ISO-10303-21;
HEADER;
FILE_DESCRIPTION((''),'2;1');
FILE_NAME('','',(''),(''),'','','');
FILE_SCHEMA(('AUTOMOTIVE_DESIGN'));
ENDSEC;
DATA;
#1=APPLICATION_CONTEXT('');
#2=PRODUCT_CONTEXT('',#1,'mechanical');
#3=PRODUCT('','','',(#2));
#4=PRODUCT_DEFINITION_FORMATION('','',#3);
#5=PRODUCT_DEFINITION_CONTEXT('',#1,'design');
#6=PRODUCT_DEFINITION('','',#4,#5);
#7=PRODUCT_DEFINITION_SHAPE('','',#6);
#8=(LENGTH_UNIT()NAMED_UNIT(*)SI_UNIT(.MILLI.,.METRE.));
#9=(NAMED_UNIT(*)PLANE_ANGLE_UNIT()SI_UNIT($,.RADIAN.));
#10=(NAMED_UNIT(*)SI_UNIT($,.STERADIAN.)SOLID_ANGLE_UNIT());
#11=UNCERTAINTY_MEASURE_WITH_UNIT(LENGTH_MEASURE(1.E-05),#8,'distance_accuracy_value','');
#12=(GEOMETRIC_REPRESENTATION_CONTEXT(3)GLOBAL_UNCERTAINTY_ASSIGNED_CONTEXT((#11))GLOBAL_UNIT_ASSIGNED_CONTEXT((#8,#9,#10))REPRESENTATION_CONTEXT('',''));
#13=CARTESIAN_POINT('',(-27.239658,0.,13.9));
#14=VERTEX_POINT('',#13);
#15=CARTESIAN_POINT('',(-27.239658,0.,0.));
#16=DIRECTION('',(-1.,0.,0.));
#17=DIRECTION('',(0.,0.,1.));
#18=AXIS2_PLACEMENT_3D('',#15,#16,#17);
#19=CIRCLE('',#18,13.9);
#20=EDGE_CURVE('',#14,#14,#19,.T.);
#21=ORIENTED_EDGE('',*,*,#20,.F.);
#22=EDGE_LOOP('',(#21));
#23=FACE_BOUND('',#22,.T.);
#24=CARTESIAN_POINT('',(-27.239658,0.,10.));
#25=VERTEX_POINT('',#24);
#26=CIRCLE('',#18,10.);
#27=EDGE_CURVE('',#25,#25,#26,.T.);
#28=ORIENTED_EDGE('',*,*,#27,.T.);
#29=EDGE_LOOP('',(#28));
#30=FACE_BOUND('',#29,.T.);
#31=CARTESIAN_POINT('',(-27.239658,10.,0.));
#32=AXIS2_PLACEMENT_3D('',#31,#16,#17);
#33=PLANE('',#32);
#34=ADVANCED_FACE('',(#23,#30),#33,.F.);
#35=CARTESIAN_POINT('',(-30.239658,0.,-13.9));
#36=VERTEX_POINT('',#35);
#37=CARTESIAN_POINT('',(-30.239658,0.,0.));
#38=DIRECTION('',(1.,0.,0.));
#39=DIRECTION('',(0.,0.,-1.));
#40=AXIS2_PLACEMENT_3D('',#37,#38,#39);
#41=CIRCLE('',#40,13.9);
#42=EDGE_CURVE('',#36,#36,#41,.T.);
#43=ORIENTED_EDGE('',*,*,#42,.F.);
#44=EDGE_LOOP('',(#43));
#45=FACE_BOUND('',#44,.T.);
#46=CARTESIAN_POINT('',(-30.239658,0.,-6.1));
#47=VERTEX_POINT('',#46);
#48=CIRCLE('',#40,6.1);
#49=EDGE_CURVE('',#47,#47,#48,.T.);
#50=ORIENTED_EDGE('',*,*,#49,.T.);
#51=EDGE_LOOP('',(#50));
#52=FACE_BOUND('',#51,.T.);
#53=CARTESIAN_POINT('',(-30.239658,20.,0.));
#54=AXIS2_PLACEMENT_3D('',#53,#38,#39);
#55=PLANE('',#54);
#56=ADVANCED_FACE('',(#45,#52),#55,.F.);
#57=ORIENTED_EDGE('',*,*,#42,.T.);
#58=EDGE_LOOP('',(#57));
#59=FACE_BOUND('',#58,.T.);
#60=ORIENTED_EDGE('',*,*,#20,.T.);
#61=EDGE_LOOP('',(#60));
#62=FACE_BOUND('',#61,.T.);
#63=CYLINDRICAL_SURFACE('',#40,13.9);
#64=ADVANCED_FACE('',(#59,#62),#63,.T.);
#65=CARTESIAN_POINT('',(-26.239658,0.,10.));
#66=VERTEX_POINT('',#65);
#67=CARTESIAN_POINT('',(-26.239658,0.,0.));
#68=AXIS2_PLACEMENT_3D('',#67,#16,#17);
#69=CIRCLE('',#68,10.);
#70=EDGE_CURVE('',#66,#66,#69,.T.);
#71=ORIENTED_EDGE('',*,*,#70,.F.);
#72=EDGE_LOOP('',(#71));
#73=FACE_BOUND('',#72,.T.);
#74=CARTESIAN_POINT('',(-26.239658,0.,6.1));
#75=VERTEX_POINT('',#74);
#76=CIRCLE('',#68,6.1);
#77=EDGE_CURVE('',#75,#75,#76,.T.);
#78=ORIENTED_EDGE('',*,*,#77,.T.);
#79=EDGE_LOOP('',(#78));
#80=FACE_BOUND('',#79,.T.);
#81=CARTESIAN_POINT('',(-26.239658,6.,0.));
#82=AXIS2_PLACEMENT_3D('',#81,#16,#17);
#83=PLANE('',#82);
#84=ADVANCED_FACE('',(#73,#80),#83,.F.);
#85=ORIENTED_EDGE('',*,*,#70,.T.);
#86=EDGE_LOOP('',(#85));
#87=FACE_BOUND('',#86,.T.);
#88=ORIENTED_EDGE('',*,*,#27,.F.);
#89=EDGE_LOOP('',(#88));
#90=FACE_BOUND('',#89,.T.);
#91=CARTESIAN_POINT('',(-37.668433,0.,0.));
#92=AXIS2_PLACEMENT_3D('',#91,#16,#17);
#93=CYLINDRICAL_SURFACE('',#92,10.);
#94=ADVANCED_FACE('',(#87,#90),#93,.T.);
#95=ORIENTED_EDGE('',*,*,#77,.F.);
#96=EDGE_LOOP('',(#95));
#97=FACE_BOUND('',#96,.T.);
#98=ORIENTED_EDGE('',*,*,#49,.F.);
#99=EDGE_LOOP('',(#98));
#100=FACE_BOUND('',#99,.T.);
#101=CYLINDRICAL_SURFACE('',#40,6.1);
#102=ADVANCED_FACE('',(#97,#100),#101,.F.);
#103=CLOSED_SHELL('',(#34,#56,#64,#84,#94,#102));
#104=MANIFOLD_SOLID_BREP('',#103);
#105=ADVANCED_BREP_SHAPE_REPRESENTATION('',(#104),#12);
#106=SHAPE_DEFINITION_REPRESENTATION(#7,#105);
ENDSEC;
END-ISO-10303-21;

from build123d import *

# Parameters (mm, degrees)
FORMSENKUNG_F_R_M3_SENKSCHRAUBE_MIT_INNE_D           = 3.4
FORMSENKUNG_F_R_M3_SENKSCHRAUBE_MIT_INNE_CSINK_D     = 5.7
FORMSENKUNG_F_R_M3_SENKSCHRAUBE_MIT_INNE_CSINK_ANGLE = 90
KREISMUSTER1_COUNT                                   = 4
SKIZZE5_R                                            = 24.563351151
SKIZZE5_R_2                                          = 12.292484408
SCHNITT_LINEAR_AUSTRAGEN3_DEPTH                      = 32.128764833
SCHNITT_LINEAR_AUSTRAGEN5_DEPTH                      = 29.565713714
SCHNITT_LINEAR_AUSTRAGEN5_DEPTH_BACK                 = 29.565713714
SKIZZE12_R                                           = 25.145284477
SKIZZE12_R_2                                         = 13.9
SCHNITT_LINEAR_AUSTRAGEN6_DEPTH                      = 21.06040877
SCHNITT_LINEAR_AUSTRAGEN6_DEPTH_BACK                 = 21.06040877
SKIZZE13_R                                           = 6.1


with BuildPart() as part:
    # Skizze1 → Rotation1 (revolve)
    with BuildSketch(Plane.XY):
        Polygon((-30.239658347, 20), (-30.239658347, 6), (-26.239658347, 6), (-26.239658347, 10), (-27.239658347, 10), (-27.239658347, 14), (-14.239658347, 14), (-14.239658347, 20), align=None)
    revolve(axis=Axis((-37.668433178, 0, 0), (1, 0, 0)))

    # Formsenkung für M3 Senkschraube mit Innensechskant1 (through all)
    with Locations(Plane(origin=(-14.239658347, 0, 0), x_dir=(0, 0, -1), z_dir=(1, 0, 0))):
        with Locations((0, 17)):
            formsenkung_f_r_m3_senkschraube_mit_inne = CounterSinkHole(FORMSENKUNG_F_R_M3_SENKSCHRAUBE_MIT_INNE_D / 2, FORMSENKUNG_F_R_M3_SENKSCHRAUBE_MIT_INNE_CSINK_D / 2, counter_sink_angle=FORMSENKUNG_F_R_M3_SENKSCHRAUBE_MIT_INNE_CSINK_ANGLE)

    # Kreismuster1: Formsenkung für M3 Senkschraube mit Innensechskant1 ×4 about axis
    kreismuster1_axis = Axis((-14.239658347, 0, 0), (-1, 0, 0))
    for i in range(1, KREISMUSTER1_COUNT):
        add(formsenkung_f_r_m3_senkschraube_mit_inne.rotate(kreismuster1_axis, i * 360 / KREISMUSTER1_COUNT), mode=Mode.SUBTRACT)

    # Skizze5 → Schnitt-Linear austragen3 (cut, through all)
    with BuildSketch(Plane(origin=(-27.239658347, 0, 0), x_dir=(0, 0, -1), z_dir=(1, 0, 0))):
        Circle(SKIZZE5_R)
        Circle(SKIZZE5_R_2, mode=Mode.SUBTRACT)
    extrude(amount=SCHNITT_LINEAR_AUSTRAGEN3_DEPTH, mode=Mode.SUBTRACT)

    # Skizze12 → Schnitt-Linear austragen5 (cut, two sides: drawn at the far end of the back side and taken through both)
    with BuildSketch(Plane(origin=(-26.239658347, 0, 0), x_dir=(0, 0, -1), z_dir=(1, 0, 0)).offset(-SCHNITT_LINEAR_AUSTRAGEN5_DEPTH_BACK)):
        Circle(SKIZZE12_R)
        Circle(SKIZZE12_R_2, mode=Mode.SUBTRACT)
    extrude(amount=SCHNITT_LINEAR_AUSTRAGEN5_DEPTH + SCHNITT_LINEAR_AUSTRAGEN5_DEPTH_BACK, mode=Mode.SUBTRACT)

    # Skizze13 → Schnitt-Linear austragen6 (cut, two sides: drawn at the far end of the back side and taken through both)
    with BuildSketch(Plane(origin=(-26.239658347, 0, 0), x_dir=(0, 0, -1), z_dir=(1, 0, 0)).offset(-SCHNITT_LINEAR_AUSTRAGEN6_DEPTH_BACK)):
        Circle(SKIZZE13_R)
    extrude(amount=SCHNITT_LINEAR_AUSTRAGEN6_DEPTH + SCHNITT_LINEAR_AUSTRAGEN6_DEPTH_BACK, mode=Mode.SUBTRACT)


solid = part.part
